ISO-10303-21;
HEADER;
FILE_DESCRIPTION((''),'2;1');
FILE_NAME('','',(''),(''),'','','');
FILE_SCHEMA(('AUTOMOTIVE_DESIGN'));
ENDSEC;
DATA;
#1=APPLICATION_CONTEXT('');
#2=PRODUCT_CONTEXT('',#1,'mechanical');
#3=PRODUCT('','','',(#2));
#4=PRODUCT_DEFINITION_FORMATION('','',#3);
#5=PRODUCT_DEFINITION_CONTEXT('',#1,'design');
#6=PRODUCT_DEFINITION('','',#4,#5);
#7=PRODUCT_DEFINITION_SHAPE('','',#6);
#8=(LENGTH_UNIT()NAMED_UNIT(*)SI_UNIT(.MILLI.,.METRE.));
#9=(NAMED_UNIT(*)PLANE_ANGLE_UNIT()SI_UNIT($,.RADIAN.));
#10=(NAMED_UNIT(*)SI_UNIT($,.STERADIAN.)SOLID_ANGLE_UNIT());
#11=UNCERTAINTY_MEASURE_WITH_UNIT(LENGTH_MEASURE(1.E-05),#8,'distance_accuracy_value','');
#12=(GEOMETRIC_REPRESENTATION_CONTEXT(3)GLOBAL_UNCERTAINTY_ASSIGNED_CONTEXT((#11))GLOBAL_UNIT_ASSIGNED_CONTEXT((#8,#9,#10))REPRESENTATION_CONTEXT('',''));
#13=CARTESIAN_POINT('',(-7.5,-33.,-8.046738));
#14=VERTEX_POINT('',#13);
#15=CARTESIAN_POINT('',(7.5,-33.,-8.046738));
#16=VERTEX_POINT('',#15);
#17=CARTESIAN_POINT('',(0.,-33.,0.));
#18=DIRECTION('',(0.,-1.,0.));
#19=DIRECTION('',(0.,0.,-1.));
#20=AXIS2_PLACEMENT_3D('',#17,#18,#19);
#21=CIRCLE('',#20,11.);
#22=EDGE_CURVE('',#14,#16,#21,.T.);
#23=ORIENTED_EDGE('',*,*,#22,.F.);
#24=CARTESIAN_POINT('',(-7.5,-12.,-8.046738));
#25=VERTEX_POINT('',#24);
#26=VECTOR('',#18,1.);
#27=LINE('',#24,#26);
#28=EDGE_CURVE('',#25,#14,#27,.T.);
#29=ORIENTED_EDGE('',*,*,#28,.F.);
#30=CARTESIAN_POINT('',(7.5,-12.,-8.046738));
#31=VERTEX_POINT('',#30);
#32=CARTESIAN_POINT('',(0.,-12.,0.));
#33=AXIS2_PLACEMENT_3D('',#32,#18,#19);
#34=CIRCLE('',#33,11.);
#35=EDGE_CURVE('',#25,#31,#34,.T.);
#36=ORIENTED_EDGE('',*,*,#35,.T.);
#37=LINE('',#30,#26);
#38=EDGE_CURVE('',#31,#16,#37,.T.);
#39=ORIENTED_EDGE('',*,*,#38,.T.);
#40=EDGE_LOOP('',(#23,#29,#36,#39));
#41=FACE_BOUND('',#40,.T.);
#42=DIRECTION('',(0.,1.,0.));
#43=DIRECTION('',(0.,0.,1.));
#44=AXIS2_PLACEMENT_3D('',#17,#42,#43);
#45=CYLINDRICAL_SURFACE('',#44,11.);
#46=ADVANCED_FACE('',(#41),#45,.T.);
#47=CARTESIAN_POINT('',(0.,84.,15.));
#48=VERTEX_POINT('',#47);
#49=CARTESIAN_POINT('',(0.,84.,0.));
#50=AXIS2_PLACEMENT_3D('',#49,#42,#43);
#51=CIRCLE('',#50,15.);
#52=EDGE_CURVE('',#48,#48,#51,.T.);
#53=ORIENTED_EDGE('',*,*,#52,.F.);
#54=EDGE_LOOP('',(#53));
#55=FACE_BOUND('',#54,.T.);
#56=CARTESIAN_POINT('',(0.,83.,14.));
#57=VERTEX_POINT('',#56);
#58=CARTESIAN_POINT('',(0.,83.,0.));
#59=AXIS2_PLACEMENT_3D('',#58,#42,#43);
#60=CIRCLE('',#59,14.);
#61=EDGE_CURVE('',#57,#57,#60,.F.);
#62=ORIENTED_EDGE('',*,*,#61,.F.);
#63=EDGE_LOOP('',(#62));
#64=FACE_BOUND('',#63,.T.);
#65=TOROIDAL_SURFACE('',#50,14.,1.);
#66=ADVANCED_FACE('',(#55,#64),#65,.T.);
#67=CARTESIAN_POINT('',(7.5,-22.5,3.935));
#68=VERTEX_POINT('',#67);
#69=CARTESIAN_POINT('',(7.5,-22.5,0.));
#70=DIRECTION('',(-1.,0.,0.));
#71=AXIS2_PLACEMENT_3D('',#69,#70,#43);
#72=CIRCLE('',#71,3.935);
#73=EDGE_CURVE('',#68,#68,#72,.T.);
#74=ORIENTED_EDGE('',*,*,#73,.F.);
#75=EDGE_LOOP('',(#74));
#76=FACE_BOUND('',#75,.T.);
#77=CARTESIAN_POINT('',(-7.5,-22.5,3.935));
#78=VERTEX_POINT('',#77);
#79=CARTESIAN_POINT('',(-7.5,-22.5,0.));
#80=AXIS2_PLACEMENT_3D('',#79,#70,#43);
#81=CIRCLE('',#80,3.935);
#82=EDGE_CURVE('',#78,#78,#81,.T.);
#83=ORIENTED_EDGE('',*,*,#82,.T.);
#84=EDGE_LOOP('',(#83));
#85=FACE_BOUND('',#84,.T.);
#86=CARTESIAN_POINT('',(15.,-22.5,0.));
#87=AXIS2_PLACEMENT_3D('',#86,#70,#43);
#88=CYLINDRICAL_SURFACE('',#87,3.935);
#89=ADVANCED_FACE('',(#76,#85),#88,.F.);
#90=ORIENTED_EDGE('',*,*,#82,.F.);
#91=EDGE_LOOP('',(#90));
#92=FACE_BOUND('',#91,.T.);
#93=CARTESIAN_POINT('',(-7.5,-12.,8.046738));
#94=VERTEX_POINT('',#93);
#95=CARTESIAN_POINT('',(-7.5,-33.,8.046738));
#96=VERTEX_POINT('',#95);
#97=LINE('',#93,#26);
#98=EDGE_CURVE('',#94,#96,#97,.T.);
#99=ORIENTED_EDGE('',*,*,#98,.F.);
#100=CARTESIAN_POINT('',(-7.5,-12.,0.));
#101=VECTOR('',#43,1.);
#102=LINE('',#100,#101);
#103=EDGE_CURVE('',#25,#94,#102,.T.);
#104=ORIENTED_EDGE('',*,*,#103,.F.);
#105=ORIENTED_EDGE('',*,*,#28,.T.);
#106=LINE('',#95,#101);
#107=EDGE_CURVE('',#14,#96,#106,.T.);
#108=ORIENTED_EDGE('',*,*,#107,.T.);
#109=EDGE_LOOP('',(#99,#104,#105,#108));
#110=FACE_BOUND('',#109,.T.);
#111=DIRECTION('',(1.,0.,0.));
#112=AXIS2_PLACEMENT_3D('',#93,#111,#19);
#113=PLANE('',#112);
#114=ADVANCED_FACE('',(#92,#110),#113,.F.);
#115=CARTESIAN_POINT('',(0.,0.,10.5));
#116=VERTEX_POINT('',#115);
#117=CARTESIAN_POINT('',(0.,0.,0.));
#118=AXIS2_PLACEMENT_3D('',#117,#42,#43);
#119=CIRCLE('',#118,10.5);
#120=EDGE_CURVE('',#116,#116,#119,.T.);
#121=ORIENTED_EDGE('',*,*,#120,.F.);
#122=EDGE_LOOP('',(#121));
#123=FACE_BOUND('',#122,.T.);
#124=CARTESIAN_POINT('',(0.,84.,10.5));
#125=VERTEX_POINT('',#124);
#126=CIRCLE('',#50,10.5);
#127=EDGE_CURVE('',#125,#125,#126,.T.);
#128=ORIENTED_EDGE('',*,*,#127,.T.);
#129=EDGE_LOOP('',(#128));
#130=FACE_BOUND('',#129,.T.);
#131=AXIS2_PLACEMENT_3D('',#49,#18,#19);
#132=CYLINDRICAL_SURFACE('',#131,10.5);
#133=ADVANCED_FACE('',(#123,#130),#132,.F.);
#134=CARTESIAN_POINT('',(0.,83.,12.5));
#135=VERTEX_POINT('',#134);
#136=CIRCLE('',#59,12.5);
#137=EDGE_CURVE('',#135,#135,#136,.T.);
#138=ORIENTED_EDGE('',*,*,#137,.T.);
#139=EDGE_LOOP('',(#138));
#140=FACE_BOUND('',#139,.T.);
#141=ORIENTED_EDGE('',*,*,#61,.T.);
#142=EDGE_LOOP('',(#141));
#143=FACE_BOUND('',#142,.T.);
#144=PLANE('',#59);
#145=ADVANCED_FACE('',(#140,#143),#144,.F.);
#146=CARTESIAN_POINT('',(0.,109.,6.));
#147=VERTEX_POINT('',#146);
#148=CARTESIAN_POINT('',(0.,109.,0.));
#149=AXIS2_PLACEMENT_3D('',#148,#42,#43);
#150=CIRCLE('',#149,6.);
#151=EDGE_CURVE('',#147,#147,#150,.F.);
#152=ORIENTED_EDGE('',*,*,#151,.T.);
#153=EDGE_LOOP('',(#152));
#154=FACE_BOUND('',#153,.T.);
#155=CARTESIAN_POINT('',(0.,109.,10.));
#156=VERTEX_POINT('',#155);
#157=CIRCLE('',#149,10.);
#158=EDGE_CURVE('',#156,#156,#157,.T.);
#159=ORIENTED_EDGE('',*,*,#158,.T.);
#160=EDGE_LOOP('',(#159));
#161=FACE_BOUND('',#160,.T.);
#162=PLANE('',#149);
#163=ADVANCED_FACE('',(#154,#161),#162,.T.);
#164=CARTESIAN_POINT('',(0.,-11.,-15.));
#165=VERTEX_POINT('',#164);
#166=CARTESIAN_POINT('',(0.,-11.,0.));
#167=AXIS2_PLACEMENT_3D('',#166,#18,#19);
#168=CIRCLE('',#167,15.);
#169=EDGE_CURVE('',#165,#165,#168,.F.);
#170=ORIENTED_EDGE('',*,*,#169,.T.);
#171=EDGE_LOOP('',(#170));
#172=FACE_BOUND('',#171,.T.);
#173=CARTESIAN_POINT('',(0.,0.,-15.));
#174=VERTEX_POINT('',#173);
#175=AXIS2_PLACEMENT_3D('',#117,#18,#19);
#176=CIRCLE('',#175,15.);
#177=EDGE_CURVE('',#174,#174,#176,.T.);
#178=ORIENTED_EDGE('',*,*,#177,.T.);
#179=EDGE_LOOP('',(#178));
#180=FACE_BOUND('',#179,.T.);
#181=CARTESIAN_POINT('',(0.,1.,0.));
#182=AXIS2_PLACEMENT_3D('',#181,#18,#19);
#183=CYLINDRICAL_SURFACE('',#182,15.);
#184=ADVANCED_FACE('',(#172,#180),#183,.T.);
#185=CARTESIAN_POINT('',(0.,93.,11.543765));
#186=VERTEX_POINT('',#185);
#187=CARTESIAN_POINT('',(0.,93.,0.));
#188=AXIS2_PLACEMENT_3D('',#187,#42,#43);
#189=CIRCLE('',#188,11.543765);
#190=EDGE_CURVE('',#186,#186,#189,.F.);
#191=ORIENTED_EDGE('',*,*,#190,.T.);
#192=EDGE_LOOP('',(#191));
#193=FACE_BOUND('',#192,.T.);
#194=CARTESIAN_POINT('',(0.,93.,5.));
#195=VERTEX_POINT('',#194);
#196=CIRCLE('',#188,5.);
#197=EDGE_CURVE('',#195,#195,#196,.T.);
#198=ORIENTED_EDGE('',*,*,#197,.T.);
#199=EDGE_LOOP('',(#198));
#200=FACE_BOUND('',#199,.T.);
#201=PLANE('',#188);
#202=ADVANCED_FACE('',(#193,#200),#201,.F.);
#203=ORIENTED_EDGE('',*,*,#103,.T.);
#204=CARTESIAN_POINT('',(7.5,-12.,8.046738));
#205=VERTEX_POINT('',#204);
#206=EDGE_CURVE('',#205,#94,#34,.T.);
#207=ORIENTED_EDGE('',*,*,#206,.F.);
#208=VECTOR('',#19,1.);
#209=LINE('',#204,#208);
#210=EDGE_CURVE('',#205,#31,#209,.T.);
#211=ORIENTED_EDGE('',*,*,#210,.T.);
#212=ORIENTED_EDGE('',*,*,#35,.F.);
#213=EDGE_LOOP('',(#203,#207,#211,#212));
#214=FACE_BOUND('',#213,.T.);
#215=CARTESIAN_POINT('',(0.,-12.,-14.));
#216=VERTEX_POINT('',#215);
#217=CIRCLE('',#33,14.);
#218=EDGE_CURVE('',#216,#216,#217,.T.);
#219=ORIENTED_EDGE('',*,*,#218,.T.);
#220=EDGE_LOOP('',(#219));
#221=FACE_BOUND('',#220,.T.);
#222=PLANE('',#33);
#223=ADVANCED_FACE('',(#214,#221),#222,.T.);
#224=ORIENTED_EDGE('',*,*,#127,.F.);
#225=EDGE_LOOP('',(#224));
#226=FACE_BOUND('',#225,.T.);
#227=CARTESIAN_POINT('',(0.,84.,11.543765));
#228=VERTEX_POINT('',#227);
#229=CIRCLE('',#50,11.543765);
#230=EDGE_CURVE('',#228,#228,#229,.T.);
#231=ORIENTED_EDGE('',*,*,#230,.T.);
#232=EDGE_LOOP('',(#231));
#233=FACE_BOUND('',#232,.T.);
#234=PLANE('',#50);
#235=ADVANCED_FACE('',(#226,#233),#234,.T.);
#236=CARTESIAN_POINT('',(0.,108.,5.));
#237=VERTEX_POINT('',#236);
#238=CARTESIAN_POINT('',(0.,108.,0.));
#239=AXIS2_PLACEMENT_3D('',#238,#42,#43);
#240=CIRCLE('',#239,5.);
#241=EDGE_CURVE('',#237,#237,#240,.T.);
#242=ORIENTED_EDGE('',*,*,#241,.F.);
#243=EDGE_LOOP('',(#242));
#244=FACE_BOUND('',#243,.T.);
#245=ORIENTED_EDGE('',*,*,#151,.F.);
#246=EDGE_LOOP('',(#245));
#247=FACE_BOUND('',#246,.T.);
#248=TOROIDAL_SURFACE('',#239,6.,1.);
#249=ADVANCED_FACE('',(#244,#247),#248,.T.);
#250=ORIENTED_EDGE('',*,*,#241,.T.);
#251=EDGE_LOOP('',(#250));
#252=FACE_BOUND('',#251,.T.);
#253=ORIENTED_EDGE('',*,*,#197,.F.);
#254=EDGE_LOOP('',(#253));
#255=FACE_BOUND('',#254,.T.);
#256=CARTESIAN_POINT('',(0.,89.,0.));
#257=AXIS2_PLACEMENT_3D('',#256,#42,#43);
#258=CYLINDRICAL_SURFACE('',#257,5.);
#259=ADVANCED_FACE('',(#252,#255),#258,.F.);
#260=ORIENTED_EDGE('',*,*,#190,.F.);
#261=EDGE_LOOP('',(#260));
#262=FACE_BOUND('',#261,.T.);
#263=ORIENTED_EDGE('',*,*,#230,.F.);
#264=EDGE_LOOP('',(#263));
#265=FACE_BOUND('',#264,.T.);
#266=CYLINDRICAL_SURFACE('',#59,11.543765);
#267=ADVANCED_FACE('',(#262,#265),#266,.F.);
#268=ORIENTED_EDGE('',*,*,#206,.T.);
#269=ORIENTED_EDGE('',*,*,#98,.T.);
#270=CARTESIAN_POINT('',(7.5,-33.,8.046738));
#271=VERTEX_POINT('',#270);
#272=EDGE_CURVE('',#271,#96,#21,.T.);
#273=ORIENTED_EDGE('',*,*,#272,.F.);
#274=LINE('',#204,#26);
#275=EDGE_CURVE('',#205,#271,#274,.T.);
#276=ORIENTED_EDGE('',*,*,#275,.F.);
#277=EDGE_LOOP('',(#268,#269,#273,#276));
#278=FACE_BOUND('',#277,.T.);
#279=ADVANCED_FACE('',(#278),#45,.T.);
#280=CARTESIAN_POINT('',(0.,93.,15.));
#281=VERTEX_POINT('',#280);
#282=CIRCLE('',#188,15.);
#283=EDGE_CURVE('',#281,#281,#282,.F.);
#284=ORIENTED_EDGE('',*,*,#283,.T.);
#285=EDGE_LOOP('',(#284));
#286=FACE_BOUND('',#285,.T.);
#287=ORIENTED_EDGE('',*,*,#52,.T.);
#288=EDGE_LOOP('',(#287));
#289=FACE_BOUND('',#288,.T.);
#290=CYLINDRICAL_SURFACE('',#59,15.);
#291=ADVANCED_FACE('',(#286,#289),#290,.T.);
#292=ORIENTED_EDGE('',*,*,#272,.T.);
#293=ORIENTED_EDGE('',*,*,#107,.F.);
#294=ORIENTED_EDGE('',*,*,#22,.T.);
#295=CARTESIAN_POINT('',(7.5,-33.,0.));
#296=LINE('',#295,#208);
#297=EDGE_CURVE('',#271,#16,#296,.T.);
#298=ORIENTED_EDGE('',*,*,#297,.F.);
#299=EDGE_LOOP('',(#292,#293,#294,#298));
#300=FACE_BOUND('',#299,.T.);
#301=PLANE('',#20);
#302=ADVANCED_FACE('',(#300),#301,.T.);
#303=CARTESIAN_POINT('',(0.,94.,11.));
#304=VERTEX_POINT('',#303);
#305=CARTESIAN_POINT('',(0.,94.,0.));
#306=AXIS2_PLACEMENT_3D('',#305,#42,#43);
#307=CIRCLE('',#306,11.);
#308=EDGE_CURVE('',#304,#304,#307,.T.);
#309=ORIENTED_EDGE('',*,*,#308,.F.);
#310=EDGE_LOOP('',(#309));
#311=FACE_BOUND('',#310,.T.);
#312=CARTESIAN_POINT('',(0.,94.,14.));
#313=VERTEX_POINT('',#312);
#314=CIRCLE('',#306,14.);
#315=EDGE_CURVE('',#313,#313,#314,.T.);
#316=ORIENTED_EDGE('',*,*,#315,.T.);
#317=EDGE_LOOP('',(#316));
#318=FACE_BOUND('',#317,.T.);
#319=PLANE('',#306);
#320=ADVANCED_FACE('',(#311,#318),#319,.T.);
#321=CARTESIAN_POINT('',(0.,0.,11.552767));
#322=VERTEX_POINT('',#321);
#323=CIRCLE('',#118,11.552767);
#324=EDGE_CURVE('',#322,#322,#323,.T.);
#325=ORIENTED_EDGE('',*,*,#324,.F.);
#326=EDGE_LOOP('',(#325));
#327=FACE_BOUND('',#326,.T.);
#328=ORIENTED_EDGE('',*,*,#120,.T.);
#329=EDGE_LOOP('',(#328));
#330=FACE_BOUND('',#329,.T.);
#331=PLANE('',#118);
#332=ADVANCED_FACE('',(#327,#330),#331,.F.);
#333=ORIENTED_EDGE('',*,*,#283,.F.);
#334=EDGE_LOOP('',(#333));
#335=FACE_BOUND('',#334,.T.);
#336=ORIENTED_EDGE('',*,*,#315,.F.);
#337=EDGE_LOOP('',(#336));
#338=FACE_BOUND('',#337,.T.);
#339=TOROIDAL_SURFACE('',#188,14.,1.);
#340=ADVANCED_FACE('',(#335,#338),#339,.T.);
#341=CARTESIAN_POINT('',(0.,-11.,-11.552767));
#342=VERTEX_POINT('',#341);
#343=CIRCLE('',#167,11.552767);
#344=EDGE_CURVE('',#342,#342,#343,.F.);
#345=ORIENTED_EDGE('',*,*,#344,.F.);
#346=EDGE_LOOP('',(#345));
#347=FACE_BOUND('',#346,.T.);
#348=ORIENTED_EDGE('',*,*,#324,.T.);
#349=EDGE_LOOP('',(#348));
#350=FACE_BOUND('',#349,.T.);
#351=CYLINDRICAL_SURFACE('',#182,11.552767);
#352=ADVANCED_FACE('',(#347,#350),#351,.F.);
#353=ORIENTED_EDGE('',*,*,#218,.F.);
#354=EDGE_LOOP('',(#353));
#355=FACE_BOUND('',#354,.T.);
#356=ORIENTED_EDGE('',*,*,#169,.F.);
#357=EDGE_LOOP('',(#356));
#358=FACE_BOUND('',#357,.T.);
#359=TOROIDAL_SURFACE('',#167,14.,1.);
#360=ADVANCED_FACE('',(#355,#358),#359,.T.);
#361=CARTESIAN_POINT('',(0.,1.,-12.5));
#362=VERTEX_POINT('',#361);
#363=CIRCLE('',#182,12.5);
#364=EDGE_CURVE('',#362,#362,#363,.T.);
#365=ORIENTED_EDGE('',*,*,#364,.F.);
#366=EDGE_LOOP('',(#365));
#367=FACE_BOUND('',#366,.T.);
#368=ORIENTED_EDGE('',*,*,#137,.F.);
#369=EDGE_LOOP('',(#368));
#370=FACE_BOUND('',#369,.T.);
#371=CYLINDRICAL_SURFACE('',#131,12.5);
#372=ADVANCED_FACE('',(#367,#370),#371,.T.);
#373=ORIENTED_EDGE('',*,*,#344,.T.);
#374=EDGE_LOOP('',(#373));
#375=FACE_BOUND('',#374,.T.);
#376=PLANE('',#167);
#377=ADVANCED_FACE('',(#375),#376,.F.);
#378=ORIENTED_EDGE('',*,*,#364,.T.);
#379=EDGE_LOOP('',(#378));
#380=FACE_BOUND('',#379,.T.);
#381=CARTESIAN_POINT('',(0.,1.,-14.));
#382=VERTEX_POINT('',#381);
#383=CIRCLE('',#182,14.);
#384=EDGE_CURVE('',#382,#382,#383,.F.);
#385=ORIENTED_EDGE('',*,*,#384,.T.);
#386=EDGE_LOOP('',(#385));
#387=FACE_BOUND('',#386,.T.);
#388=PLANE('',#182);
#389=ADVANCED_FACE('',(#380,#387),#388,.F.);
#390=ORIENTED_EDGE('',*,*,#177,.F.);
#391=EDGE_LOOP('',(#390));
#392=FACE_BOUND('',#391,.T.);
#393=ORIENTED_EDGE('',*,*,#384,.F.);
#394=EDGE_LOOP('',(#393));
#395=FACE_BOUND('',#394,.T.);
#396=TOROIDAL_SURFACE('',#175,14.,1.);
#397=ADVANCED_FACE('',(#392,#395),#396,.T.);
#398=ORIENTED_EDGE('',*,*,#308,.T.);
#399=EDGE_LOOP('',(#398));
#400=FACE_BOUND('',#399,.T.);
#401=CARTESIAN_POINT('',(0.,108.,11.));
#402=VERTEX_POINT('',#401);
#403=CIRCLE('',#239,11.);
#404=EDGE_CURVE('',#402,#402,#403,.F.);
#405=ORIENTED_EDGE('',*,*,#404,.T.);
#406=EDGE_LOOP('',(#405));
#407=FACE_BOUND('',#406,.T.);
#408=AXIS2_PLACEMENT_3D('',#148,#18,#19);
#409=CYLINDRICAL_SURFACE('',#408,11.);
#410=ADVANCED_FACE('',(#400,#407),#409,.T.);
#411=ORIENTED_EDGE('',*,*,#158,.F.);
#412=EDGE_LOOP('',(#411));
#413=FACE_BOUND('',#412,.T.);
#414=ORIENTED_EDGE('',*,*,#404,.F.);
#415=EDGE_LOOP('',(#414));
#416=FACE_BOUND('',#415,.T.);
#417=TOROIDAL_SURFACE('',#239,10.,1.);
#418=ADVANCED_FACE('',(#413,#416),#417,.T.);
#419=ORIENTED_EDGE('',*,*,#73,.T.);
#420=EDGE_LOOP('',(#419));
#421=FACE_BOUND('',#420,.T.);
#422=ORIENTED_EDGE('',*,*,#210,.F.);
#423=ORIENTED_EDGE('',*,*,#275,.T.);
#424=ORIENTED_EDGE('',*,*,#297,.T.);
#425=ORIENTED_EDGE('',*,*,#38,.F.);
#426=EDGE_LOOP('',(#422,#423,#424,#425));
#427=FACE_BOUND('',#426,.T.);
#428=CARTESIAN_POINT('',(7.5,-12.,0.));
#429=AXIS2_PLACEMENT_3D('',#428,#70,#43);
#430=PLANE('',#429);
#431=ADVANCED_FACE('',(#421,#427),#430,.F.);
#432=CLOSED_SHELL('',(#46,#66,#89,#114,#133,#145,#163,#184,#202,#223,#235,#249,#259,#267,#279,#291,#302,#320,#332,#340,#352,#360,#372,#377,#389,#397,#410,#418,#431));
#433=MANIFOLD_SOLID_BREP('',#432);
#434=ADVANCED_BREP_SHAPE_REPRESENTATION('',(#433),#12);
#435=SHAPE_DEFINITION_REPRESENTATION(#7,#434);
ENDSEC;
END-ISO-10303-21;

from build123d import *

# Parameters (mm, degrees)
SKETCH5_R                = 12.5
SKETCH5_R_2              = 10.5
BOSS_EXTRUDE2_DEPTH      = 84
SKETCH6_R                = 15
SKETCH6_R_2              = 11.543764588
BOSS_EXTRUDE3_DEPTH      = 10
BOSS_EXTRUDE3_DEPTH_BACK = 1
SKETCH7_R                = 15
SKETCH7_R_2              = 11.552767092
BOSS_EXTRUDE4_DEPTH      = 12
BOSS_EXTRUDE4_DEPTH_BACK = 1
FILLET1_R                = 1
FILLET2_R                = 1
FILLET3_R                = 1
FILLET4_R                = 1
SKETCH8_R                = 12.593226889
BOSS_EXTRUDE5_DEPTH      = 1
SKETCH9_R                = 12.737258032
BOSS_EXTRUDE6_DEPTH      = 1
SKETCH10_R               = 11
BOSS_EXTRUDE7_DEPTH      = 21
CUT_EXTRUDE1_DEPTH       = 21
SKETCH12_R               = 3.935
CUT_EXTRUDE2_DEPTH       = 23.5000001
SKETCH13_R               = 11
BOSS_EXTRUDE8_DEPTH      = 15
SKETCH14_R               = 5
CUT_EXTRUDE3_DEPTH       = 20
FILLET5_R                = 1
FILLET6_R                = 1


with BuildPart() as part:
    # Sketch5 → Boss-Extrude2 (new body)
    with BuildSketch(Plane(origin=(0, 0, 0), x_dir=(1, 0, 0), z_dir=(0, 1, 0))):
        Circle(SKETCH5_R)
        Circle(SKETCH5_R_2, mode=Mode.SUBTRACT)
    extrude(amount=BOSS_EXTRUDE2_DEPTH)

    # Sketch6 → Boss-Extrude3 (add, two sides)
    with BuildSketch(Plane(origin=(0, 84, 0), x_dir=(1, 0, 0), z_dir=(0, 1, 0))) as boss_extrude3_sk:
        Circle(SKETCH6_R)
        Circle(SKETCH6_R_2, mode=Mode.SUBTRACT)
    extrude(amount=BOSS_EXTRUDE3_DEPTH)
    extrude(boss_extrude3_sk.sketch, amount=-BOSS_EXTRUDE3_DEPTH_BACK)

    # Sketch7 → Boss-Extrude4 (add, two sides)
    with BuildSketch(Plane.XZ) as boss_extrude4_sk:
        Circle(SKETCH7_R)
        Circle(SKETCH7_R_2, mode=Mode.SUBTRACT)
    extrude(amount=BOSS_EXTRUDE4_DEPTH)
    extrude(boss_extrude4_sk.sketch, amount=-BOSS_EXTRUDE4_DEPTH_BACK)

    # Fillet1
    fillet1_edges = [part.edges().sort_by_distance(p)[0] for p in [
        (-15, 83, 0),
    ]]
    fillet(fillet1_edges, radius=FILLET1_R)

    # Fillet2
    fillet2_edges = [part.edges().sort_by_distance(p)[0] for p in [
        (-15, 1, 0),
    ]]
    fillet(fillet2_edges, radius=FILLET2_R)

    # Fillet3
    fillet3_edges = [part.edges().sort_by_distance(p)[0] for p in [
        (-15, 94, 0),
    ]]
    fillet(fillet3_edges, radius=FILLET3_R)

    # Fillet4
    fillet4_edges = [part.edges().sort_by_distance(p)[0] for p in [
        (-15, -12, 0),
    ]]
    fillet(fillet4_edges, radius=FILLET4_R)

    # Sketch8 → Boss-Extrude5 (add)
    with BuildSketch(Plane(origin=(0, 94, 0), x_dir=(1, 0, 0), z_dir=(0, 1, 0))):
        Circle(SKETCH8_R)
    extrude(amount=-BOSS_EXTRUDE5_DEPTH)

    # Sketch9 → Boss-Extrude6 (add)
    with BuildSketch(Plane.XZ.offset(12)):
        Circle(SKETCH9_R)
    extrude(amount=-BOSS_EXTRUDE6_DEPTH)

    # Sketch10 → Boss-Extrude7 (add)
    with BuildSketch(Plane.XZ.offset(12)):
        Circle(SKETCH10_R)
    extrude(amount=BOSS_EXTRUDE7_DEPTH)

    # Sketch11 → Cut-Extrude1 (cut)
    with BuildSketch(Plane.XZ.offset(33)):
        with BuildLine():
            Line((-7.5, 8.04673847), (-7.5, 0))
            Line((-7.5, 0), (-7.5, -8.04673847))
            ThreePointArc((-7.5, -8.04673847), (-11, 0), (-7.5, 8.04673847))
        make_face()
        with BuildLine():
            Line((7.5, 0), (7.5, -8.04673847))
            ThreePointArc((7.5, -8.04673847), (11, 0), (7.5, 8.04673847))
            Line((7.5, 8.04673847), (7.5, 0))
        make_face()
    extrude(amount=-CUT_EXTRUDE1_DEPTH, mode=Mode.SUBTRACT)

    # Sketch12 → Cut-Extrude2 (cut, through all)
    with BuildSketch(Plane.ZY.offset(7.5)):
        with Locations((0, -22.5)):
            Circle(SKETCH12_R)
    extrude(amount=-CUT_EXTRUDE2_DEPTH, mode=Mode.SUBTRACT)

    # Sketch13 → Boss-Extrude8 (add)
    with BuildSketch(Plane(origin=(0, 94, 0), x_dir=(1, 0, 0), z_dir=(0, 1, 0))):
        Circle(SKETCH13_R)
    extrude(amount=BOSS_EXTRUDE8_DEPTH)

    # Sketch14 → Cut-Extrude3 (cut)
    with BuildSketch(Plane(origin=(0, 109, 0), x_dir=(1, 0, 0), z_dir=(0, 1, 0))):
        Circle(SKETCH14_R)
    extrude(amount=-CUT_EXTRUDE3_DEPTH, mode=Mode.SUBTRACT)

    # Fillet5
    fillet5_edges = [part.edges().sort_by_distance(p)[0] for p in [
        (-11, 109, 0),
    ]]
    fillet(fillet5_edges, radius=FILLET5_R)

    # Fillet6
    fillet6_edges = [part.edges().sort_by_distance(p)[0] for p in [
        (-5, 109, 0),
    ]]
    fillet(fillet6_edges, radius=FILLET6_R)


solid = part.part
